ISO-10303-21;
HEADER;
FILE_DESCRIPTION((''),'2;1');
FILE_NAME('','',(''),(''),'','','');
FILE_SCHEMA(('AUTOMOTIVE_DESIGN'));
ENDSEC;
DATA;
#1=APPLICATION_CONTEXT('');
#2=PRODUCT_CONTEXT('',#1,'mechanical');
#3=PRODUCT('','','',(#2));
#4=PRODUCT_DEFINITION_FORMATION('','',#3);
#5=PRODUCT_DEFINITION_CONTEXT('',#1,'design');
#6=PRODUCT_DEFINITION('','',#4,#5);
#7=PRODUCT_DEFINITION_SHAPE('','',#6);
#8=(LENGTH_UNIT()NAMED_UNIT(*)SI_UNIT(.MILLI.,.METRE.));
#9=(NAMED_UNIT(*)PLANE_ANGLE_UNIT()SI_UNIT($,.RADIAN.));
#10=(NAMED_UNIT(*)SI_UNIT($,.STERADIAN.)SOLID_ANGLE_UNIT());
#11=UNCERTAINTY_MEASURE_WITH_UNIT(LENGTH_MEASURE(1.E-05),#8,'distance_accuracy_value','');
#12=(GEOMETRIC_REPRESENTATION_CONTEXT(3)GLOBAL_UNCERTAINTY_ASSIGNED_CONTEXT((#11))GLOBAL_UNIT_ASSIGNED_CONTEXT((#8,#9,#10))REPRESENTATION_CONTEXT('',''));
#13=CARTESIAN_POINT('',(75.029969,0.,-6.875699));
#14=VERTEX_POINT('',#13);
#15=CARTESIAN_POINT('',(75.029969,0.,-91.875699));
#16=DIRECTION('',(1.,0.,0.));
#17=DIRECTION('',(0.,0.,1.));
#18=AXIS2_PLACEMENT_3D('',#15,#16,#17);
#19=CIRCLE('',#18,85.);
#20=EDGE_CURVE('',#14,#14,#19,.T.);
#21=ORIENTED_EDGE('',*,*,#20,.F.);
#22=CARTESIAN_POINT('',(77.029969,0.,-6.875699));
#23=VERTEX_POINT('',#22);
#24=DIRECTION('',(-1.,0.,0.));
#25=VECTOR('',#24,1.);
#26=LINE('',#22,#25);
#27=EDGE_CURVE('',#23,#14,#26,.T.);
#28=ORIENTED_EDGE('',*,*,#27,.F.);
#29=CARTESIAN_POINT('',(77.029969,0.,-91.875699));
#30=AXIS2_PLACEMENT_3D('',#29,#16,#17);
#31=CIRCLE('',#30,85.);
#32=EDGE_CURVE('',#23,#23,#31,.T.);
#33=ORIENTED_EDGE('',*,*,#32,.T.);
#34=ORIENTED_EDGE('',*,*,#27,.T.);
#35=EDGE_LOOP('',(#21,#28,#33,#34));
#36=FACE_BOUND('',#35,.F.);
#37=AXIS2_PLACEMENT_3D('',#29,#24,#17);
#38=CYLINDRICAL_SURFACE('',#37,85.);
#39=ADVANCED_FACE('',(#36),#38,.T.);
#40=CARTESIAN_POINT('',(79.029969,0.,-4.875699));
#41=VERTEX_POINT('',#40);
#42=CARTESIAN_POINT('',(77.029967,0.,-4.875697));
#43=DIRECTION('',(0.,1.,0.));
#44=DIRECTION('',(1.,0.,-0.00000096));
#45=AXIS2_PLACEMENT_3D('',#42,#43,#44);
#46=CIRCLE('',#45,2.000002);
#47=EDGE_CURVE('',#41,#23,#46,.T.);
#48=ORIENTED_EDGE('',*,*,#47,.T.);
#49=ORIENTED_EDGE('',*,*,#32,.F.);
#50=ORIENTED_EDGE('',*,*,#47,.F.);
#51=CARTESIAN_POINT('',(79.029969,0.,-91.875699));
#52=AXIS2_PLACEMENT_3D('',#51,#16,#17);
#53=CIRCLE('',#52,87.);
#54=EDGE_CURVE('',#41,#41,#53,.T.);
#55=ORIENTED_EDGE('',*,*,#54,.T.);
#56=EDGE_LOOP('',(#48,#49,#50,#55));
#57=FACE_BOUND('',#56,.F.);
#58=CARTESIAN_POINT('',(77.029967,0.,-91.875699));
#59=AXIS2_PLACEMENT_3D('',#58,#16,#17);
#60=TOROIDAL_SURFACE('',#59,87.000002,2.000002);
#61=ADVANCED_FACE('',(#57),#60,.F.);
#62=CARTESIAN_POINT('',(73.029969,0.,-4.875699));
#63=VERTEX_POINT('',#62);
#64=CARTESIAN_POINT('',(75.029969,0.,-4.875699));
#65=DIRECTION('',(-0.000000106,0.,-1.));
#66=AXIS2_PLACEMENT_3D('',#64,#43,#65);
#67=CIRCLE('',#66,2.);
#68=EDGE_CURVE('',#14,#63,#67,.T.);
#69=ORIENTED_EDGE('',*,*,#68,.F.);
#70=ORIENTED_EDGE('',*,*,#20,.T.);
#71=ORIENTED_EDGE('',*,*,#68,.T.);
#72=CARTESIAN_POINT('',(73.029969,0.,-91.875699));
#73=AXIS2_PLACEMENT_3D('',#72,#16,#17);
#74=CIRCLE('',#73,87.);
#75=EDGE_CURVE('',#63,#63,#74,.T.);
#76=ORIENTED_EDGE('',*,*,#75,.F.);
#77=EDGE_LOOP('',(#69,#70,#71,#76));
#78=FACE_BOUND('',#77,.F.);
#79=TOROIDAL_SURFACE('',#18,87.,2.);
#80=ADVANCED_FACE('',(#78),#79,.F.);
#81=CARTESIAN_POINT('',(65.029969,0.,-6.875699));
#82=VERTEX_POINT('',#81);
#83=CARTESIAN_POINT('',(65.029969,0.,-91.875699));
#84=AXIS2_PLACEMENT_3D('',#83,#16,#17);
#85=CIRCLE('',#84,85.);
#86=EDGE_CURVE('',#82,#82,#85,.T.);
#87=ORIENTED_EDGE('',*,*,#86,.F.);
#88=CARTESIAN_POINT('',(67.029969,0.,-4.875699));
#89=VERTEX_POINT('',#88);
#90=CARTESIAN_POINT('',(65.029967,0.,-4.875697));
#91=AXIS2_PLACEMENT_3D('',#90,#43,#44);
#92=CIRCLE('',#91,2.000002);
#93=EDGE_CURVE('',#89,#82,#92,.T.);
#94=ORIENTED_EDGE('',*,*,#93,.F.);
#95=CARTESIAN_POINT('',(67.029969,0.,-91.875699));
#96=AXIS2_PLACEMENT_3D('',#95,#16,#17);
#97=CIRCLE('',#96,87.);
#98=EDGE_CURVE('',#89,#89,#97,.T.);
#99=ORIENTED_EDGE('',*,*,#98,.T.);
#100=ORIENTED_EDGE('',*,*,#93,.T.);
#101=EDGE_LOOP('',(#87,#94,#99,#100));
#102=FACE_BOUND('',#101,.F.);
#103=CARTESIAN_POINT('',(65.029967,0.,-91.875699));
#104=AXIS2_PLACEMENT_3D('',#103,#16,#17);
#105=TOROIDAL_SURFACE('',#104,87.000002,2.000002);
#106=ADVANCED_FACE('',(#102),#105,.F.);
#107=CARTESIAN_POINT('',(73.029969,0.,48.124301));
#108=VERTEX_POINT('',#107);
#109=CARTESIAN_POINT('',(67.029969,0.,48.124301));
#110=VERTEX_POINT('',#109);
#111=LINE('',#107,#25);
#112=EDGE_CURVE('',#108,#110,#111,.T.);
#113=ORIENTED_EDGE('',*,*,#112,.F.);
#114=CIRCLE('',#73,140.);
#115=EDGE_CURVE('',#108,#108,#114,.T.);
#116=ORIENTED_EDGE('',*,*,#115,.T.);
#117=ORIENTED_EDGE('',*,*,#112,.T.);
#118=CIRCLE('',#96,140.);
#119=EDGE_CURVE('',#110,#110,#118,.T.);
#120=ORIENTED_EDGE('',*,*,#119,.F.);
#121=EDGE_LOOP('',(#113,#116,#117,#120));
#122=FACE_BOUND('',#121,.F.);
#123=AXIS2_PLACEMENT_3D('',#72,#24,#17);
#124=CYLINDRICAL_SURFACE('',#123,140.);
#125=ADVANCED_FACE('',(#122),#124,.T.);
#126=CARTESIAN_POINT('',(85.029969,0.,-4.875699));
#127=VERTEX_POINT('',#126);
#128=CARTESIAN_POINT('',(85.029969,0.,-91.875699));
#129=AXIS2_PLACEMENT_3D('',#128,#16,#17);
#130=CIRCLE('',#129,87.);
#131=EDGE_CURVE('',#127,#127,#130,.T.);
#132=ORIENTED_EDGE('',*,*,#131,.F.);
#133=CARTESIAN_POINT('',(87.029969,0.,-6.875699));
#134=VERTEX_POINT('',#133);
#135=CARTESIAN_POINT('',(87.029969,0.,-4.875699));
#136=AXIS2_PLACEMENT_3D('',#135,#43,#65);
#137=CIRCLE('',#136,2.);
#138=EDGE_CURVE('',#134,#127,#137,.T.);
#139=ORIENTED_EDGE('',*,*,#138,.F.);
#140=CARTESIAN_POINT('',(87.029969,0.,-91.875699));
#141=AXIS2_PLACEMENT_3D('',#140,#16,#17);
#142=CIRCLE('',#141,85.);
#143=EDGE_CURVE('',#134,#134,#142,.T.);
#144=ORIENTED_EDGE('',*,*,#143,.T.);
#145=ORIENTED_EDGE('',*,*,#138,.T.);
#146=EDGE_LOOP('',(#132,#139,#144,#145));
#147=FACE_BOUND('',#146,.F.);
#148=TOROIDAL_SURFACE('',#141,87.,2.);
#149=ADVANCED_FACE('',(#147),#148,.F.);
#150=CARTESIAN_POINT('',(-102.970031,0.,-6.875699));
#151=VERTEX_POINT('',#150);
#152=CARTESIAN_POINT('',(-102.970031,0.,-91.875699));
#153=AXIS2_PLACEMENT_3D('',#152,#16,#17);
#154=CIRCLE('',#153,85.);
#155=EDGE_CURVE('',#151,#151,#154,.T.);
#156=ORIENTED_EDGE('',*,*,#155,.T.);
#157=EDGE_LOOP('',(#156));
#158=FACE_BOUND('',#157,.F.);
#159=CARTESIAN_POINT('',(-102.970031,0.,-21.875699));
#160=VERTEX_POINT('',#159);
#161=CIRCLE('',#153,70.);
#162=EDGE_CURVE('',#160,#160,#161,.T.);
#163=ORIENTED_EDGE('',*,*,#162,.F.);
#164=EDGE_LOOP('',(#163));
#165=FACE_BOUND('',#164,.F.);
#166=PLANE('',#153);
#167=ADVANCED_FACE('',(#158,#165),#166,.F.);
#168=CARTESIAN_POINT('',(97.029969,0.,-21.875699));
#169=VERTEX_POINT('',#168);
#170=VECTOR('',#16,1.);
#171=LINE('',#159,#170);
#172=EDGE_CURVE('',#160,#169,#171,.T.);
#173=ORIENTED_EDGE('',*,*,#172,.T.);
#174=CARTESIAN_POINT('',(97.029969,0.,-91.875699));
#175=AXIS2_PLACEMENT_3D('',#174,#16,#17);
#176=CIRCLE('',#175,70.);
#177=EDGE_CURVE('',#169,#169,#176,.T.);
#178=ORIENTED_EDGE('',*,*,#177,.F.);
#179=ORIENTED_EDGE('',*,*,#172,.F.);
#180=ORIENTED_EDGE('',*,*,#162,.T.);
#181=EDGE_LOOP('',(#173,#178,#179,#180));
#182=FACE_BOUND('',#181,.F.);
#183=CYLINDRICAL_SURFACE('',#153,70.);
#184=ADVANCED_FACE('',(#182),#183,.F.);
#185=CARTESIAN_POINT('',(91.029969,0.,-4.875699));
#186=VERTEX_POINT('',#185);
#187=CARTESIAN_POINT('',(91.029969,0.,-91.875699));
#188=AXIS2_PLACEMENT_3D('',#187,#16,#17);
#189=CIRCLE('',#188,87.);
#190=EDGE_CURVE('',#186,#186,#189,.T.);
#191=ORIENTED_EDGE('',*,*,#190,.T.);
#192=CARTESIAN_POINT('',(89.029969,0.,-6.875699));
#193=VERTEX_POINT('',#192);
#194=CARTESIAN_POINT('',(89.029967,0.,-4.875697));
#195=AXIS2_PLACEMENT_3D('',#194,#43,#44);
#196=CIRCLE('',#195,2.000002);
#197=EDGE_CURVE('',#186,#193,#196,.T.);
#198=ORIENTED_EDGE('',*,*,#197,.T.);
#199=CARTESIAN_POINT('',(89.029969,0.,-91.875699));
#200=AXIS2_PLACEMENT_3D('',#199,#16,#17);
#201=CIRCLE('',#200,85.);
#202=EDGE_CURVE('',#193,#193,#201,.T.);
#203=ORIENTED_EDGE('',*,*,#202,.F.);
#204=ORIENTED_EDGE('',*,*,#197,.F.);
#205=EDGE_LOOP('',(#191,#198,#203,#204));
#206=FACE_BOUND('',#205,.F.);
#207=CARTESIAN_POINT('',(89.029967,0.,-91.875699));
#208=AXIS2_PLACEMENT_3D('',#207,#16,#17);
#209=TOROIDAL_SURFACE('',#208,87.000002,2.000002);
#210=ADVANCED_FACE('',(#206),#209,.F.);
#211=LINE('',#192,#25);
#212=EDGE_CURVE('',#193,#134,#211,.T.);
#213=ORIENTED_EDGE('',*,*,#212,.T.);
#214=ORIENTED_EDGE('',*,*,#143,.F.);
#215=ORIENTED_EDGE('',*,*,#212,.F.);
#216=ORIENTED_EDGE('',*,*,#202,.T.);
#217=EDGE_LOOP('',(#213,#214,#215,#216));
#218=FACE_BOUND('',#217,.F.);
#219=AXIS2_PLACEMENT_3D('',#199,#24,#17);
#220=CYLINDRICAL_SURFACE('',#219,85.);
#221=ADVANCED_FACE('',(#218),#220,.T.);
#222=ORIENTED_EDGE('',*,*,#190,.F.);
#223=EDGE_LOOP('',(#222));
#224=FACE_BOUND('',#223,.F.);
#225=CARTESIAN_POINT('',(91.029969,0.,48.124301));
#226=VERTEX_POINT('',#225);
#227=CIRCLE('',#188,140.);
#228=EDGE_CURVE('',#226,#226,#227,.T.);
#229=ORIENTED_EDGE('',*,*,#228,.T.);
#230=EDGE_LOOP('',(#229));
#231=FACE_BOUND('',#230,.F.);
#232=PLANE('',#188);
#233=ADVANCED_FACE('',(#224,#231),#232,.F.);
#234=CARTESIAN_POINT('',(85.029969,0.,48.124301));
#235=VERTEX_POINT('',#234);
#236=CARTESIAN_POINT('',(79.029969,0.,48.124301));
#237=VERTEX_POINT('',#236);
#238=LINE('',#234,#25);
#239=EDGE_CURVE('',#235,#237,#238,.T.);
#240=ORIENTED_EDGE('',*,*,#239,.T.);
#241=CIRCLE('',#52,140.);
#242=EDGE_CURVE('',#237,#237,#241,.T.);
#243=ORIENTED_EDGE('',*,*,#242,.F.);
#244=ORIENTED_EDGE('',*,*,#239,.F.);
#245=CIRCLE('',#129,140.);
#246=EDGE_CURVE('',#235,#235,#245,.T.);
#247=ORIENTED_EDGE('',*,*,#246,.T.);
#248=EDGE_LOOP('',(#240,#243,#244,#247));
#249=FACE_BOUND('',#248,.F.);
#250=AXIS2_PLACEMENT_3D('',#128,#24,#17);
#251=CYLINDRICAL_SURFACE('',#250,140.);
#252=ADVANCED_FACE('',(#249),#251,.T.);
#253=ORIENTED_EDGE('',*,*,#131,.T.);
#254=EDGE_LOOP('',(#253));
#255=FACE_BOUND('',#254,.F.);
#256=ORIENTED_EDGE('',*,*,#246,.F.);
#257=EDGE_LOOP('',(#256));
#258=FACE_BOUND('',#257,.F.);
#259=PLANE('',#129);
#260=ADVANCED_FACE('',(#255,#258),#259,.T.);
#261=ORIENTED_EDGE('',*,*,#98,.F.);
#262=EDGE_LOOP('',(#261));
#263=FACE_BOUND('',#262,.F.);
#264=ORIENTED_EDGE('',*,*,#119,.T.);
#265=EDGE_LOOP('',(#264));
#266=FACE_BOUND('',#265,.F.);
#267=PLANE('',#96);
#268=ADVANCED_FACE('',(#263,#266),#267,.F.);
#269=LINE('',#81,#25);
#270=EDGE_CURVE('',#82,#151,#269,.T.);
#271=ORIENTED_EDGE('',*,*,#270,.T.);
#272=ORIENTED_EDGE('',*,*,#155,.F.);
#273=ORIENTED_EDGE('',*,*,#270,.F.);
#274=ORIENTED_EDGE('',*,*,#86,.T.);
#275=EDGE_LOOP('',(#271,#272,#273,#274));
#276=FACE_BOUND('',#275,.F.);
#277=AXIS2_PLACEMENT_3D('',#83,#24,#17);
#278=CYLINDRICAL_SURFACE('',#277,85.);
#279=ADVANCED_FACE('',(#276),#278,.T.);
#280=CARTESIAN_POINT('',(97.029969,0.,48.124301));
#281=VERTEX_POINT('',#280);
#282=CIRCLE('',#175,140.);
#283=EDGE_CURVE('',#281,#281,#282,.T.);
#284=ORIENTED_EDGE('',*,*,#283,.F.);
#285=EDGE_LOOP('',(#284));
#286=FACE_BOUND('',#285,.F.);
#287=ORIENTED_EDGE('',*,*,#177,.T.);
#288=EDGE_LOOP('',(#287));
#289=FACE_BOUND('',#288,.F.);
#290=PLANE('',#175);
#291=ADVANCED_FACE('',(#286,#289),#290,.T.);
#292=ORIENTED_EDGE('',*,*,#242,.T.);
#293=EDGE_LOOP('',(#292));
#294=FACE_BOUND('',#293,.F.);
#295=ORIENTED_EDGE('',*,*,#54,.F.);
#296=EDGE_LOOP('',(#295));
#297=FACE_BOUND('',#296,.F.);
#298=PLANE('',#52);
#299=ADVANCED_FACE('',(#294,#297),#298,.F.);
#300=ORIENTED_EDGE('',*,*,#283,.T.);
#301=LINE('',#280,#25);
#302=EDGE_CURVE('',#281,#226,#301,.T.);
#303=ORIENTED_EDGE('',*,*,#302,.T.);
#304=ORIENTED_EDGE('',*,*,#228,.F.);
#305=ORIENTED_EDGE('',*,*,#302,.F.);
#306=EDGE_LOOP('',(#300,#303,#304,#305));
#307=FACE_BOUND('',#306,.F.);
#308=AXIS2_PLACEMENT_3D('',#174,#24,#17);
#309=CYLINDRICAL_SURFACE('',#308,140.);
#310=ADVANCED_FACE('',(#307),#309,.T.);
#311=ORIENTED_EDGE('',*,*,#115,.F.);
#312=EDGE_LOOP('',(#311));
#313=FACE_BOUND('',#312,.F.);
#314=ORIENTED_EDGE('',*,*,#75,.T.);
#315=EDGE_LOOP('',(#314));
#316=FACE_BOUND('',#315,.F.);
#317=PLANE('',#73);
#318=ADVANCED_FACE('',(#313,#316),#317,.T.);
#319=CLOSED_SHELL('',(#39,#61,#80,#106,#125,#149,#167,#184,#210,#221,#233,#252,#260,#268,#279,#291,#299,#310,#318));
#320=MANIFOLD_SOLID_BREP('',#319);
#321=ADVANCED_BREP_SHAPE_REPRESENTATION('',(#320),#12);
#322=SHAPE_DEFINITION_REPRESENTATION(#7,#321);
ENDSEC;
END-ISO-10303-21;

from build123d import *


with BuildPart() as f1:
    # F0 (on Front) → F1 (revolve)
    with BuildSketch(Plane.XZ):
        with BuildLine():
            Line((-102.970031, -6.875699), (-102.970031, -21.875699))
            Line((-102.970031, -21.875699), (97.029969, -21.875699))
            Line((97.029969, -21.875699), (97.029969, 48.124301))
            Line((97.029969, 48.124301), (91.029969, 48.124301))
            Line((91.029969, 48.124301), (91.029969, -4.875699))
            ThreePointArc((91.029969, -4.875699), (90.444182, -6.289912), (89.029969, -6.875699))
            Line((89.029969, -6.875699), (87.029969, -6.875699))
            ThreePointArc((87.029969, -6.875699), (85.615755, -6.289912), (85.029969, -4.875699))
            Line((85.029969, -4.875699), (85.029969, 48.124301))
            Line((85.029969, 48.124301), (79.029969, 48.124301))
            Line((79.029969, 48.124301), (79.029969, -4.875699))
            ThreePointArc((79.029969, -4.875699), (78.444182, -6.289912), (77.029969, -6.875699))
            Line((77.029969, -6.875699), (75.029969, -6.875699))
            ThreePointArc((75.029969, -6.875699), (73.615755, -6.289912), (73.029969, -4.875699))
            Line((73.029969, -4.875699), (73.029969, 48.124301))
            Line((73.029969, 48.124301), (67.029969, 48.124301))
            Line((67.029969, 48.124301), (67.029969, -4.875699))
            ThreePointArc((67.029969, -4.875699), (66.444182, -6.289912), (65.029969, -6.875699))
            Line((65.029969, -6.875699), (-102.970031, -6.875699))
        make_face()
    revolve(axis=Axis((-4.417114, 0, -91.875699), (1, 0, 0)))


solid = f1.part
